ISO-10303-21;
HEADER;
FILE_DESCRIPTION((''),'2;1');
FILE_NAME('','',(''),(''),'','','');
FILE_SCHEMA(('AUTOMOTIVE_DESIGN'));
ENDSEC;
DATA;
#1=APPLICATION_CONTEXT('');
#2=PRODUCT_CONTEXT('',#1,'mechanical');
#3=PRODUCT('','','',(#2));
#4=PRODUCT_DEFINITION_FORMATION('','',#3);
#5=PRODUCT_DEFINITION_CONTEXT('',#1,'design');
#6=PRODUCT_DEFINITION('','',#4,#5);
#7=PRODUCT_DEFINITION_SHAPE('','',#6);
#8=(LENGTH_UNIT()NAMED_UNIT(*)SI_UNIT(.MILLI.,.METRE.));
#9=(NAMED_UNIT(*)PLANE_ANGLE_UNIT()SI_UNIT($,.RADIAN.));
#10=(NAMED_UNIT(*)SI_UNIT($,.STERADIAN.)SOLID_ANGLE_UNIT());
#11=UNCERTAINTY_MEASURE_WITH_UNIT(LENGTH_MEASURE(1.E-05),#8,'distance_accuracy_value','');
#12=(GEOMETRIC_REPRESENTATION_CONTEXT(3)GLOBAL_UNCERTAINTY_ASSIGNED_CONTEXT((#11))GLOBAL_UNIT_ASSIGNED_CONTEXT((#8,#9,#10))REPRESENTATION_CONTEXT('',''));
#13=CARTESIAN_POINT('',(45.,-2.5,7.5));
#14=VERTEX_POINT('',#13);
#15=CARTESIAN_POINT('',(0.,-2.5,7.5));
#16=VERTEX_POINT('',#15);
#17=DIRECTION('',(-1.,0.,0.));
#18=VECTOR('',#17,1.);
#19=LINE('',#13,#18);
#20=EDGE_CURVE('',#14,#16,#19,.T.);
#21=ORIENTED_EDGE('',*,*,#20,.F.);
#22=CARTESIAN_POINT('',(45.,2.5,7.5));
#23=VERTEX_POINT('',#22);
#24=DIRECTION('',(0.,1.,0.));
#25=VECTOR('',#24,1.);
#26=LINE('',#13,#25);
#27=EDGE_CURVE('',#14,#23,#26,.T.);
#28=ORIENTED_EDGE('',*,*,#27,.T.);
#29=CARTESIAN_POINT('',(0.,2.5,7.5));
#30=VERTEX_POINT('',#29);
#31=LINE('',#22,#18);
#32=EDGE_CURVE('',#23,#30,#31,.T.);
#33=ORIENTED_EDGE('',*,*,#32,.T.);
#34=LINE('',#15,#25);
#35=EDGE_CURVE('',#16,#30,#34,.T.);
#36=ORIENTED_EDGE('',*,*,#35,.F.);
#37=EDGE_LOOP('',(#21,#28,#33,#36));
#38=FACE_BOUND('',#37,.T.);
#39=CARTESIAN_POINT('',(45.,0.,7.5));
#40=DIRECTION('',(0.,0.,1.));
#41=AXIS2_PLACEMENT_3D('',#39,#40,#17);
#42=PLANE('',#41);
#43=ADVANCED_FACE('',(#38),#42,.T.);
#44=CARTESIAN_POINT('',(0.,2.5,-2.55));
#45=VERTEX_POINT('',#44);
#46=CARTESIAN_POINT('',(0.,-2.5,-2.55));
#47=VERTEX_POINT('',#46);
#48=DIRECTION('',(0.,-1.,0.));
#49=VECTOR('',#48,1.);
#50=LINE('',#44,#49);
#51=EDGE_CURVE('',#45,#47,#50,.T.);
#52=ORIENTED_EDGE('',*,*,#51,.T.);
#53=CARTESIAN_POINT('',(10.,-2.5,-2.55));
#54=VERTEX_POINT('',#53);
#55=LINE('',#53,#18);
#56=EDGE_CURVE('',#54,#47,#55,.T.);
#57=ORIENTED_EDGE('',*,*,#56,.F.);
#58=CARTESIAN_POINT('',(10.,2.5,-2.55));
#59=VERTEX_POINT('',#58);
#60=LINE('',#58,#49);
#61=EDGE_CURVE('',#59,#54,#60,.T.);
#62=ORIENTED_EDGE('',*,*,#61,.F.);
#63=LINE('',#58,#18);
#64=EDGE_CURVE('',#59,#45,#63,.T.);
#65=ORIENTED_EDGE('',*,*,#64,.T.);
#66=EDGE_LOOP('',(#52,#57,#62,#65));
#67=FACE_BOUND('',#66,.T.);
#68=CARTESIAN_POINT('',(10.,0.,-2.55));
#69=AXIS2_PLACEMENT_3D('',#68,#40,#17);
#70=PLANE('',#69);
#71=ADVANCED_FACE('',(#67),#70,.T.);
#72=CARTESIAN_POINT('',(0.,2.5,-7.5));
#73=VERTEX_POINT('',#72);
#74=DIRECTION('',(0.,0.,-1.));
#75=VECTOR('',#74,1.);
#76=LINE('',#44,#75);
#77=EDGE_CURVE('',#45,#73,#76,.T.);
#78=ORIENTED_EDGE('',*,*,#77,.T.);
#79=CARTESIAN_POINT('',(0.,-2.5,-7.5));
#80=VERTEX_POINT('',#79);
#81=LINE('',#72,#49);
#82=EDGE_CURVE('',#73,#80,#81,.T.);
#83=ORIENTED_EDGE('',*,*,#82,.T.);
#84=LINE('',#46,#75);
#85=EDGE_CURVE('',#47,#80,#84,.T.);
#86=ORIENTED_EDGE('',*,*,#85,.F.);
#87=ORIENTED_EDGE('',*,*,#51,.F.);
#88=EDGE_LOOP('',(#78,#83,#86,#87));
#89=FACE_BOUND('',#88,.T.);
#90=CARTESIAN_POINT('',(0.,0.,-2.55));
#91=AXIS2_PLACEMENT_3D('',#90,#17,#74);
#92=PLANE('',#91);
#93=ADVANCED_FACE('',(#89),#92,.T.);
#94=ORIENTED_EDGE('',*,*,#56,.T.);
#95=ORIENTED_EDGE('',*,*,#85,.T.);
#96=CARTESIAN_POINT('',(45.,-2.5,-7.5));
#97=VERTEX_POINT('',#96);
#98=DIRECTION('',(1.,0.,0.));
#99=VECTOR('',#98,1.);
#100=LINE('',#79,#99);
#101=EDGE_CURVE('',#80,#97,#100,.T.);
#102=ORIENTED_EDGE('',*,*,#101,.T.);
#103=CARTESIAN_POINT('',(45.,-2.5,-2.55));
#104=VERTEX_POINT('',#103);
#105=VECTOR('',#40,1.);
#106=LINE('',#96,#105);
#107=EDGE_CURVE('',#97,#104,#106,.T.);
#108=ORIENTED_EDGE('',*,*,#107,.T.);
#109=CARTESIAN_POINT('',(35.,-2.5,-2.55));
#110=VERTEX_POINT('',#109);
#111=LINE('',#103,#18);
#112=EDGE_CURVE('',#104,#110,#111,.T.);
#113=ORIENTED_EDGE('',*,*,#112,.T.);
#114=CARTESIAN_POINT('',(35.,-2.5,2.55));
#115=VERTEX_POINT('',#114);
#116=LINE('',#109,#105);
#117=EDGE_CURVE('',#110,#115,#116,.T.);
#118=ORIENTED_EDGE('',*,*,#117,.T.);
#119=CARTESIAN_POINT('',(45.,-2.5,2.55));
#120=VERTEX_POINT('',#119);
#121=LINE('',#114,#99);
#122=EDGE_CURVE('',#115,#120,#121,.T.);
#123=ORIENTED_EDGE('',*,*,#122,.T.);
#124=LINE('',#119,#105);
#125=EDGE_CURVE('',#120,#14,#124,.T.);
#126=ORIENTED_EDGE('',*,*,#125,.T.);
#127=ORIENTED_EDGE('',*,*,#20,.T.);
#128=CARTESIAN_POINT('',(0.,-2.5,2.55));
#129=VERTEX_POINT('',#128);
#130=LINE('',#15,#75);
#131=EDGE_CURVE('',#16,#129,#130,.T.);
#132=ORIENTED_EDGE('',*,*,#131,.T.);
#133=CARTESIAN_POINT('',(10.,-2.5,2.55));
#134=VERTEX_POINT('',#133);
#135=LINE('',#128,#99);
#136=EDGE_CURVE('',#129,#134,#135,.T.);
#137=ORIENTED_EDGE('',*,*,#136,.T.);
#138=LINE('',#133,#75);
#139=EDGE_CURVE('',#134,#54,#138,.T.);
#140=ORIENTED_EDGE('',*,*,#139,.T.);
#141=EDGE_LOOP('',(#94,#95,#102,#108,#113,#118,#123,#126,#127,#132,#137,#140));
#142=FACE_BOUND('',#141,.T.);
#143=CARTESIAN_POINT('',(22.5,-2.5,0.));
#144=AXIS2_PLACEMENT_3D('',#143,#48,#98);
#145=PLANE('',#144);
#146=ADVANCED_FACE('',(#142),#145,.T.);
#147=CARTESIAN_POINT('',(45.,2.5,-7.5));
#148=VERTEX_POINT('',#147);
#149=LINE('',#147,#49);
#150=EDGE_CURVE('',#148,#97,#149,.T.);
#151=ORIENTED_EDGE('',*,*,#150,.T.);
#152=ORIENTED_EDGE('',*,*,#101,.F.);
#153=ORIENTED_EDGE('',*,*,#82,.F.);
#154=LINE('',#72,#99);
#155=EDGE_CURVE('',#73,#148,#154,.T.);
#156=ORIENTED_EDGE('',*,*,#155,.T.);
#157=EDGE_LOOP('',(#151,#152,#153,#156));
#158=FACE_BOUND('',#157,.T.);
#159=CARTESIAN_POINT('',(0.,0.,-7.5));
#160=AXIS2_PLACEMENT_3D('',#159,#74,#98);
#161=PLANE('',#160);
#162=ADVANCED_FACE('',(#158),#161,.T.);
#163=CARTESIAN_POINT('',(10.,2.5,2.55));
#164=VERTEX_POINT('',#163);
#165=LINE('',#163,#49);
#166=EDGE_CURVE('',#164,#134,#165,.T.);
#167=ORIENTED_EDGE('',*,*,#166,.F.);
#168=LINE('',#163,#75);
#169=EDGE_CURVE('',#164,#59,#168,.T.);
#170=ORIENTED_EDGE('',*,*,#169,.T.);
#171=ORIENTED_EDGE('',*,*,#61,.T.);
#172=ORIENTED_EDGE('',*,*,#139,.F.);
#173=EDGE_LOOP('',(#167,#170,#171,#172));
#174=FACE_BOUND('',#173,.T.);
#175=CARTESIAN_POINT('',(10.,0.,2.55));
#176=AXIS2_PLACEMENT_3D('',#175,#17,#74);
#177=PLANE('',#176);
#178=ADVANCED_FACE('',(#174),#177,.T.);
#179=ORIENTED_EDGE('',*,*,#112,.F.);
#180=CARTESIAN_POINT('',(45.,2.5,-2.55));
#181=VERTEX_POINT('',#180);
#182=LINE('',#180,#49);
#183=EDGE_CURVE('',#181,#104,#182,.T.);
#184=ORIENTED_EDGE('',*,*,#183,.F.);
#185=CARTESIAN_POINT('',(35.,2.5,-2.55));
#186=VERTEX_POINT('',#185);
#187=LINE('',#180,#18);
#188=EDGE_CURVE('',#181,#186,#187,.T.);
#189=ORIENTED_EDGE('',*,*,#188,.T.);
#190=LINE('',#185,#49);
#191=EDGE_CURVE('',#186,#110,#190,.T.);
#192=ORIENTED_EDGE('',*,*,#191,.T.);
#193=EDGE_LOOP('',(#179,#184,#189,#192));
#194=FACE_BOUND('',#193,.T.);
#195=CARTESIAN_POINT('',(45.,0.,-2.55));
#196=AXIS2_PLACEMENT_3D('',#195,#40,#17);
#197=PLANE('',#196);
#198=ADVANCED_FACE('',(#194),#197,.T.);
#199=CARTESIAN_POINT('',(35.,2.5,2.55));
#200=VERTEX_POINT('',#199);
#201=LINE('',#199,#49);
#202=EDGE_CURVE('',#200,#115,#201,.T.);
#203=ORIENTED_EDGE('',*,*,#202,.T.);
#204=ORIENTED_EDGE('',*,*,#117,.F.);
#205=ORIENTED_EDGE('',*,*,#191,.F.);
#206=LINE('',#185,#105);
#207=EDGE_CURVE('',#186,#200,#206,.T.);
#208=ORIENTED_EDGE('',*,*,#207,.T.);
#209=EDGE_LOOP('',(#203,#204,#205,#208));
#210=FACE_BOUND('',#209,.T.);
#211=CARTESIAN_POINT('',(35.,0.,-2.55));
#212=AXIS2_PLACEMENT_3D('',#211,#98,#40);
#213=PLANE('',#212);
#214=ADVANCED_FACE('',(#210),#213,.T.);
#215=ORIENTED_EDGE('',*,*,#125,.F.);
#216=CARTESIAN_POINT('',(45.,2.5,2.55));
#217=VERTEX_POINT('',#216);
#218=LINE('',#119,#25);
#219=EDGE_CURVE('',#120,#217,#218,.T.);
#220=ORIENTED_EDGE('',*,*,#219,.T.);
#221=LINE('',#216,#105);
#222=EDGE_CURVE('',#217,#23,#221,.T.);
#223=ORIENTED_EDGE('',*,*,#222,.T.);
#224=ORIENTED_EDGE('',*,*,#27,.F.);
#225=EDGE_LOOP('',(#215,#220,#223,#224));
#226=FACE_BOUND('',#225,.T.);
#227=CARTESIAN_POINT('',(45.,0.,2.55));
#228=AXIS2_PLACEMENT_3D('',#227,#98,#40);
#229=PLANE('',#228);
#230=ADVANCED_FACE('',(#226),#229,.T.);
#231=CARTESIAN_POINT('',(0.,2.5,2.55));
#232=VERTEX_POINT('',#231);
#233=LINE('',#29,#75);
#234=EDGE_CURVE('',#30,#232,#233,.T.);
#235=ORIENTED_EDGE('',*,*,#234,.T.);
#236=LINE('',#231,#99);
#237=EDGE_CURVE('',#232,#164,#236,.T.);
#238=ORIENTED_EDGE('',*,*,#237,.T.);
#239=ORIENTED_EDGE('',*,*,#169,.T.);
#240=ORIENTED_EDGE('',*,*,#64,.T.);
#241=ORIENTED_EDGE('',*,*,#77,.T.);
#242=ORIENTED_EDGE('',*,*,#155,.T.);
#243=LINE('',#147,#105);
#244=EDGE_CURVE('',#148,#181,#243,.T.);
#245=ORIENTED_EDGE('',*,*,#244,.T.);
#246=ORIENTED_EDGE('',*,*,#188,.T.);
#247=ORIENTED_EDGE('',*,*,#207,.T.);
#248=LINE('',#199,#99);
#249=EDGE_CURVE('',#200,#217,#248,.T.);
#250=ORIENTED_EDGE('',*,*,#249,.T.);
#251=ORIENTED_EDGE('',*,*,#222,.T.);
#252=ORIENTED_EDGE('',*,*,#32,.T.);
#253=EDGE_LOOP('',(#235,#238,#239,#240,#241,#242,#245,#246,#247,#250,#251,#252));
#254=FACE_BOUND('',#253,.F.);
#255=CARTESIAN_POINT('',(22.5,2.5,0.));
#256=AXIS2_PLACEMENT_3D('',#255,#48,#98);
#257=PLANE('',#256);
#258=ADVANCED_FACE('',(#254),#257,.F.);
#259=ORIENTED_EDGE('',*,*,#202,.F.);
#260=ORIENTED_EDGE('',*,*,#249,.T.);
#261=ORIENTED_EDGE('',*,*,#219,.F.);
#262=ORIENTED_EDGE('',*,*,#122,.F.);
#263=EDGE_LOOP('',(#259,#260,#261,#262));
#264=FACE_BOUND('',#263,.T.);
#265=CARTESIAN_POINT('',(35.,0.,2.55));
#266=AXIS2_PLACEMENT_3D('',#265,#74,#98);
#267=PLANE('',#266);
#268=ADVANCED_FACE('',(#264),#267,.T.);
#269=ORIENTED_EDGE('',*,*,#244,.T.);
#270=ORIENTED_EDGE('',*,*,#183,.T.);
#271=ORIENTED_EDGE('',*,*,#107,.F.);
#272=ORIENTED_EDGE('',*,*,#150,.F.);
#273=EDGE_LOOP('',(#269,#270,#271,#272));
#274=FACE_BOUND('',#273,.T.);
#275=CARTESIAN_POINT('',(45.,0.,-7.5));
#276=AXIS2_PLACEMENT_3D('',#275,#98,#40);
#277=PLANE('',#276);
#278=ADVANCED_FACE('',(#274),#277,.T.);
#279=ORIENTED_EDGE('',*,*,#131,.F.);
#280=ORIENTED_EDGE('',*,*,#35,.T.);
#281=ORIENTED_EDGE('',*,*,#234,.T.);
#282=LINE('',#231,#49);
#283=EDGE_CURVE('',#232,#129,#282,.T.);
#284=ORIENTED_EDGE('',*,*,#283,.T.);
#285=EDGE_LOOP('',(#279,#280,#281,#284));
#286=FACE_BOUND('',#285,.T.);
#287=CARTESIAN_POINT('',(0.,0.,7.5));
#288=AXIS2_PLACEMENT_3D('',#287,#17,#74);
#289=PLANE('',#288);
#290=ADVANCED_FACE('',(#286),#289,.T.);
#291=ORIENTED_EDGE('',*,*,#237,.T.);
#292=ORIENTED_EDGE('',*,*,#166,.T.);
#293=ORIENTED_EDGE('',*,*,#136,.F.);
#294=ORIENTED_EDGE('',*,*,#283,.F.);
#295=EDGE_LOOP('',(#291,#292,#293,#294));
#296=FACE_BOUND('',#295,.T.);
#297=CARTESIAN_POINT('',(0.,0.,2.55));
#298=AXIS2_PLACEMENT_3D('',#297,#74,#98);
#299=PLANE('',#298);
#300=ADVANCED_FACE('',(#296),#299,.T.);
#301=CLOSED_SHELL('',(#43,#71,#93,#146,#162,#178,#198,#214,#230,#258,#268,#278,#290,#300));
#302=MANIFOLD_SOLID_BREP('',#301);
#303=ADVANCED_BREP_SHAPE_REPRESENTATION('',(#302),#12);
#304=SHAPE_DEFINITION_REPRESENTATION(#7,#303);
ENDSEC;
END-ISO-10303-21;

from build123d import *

# Parameters (mm, degrees)
PAD_DEPTH = 2.5


with BuildPart() as part:
    # Sketch → Pad (new body, symmetric)
    with BuildSketch(Plane.XZ):
        Polygon((0, 7.5), (0, 2.55), (10, 2.55), (10, -2.55), (0, -2.55), (0, -7.5), (45, -7.5), (45, -2.55), (35, -2.55), (35, 2.55), (45, 2.55), (45, 7.5), align=None)
    extrude(amount=PAD_DEPTH, both=True)


solid = part.part
